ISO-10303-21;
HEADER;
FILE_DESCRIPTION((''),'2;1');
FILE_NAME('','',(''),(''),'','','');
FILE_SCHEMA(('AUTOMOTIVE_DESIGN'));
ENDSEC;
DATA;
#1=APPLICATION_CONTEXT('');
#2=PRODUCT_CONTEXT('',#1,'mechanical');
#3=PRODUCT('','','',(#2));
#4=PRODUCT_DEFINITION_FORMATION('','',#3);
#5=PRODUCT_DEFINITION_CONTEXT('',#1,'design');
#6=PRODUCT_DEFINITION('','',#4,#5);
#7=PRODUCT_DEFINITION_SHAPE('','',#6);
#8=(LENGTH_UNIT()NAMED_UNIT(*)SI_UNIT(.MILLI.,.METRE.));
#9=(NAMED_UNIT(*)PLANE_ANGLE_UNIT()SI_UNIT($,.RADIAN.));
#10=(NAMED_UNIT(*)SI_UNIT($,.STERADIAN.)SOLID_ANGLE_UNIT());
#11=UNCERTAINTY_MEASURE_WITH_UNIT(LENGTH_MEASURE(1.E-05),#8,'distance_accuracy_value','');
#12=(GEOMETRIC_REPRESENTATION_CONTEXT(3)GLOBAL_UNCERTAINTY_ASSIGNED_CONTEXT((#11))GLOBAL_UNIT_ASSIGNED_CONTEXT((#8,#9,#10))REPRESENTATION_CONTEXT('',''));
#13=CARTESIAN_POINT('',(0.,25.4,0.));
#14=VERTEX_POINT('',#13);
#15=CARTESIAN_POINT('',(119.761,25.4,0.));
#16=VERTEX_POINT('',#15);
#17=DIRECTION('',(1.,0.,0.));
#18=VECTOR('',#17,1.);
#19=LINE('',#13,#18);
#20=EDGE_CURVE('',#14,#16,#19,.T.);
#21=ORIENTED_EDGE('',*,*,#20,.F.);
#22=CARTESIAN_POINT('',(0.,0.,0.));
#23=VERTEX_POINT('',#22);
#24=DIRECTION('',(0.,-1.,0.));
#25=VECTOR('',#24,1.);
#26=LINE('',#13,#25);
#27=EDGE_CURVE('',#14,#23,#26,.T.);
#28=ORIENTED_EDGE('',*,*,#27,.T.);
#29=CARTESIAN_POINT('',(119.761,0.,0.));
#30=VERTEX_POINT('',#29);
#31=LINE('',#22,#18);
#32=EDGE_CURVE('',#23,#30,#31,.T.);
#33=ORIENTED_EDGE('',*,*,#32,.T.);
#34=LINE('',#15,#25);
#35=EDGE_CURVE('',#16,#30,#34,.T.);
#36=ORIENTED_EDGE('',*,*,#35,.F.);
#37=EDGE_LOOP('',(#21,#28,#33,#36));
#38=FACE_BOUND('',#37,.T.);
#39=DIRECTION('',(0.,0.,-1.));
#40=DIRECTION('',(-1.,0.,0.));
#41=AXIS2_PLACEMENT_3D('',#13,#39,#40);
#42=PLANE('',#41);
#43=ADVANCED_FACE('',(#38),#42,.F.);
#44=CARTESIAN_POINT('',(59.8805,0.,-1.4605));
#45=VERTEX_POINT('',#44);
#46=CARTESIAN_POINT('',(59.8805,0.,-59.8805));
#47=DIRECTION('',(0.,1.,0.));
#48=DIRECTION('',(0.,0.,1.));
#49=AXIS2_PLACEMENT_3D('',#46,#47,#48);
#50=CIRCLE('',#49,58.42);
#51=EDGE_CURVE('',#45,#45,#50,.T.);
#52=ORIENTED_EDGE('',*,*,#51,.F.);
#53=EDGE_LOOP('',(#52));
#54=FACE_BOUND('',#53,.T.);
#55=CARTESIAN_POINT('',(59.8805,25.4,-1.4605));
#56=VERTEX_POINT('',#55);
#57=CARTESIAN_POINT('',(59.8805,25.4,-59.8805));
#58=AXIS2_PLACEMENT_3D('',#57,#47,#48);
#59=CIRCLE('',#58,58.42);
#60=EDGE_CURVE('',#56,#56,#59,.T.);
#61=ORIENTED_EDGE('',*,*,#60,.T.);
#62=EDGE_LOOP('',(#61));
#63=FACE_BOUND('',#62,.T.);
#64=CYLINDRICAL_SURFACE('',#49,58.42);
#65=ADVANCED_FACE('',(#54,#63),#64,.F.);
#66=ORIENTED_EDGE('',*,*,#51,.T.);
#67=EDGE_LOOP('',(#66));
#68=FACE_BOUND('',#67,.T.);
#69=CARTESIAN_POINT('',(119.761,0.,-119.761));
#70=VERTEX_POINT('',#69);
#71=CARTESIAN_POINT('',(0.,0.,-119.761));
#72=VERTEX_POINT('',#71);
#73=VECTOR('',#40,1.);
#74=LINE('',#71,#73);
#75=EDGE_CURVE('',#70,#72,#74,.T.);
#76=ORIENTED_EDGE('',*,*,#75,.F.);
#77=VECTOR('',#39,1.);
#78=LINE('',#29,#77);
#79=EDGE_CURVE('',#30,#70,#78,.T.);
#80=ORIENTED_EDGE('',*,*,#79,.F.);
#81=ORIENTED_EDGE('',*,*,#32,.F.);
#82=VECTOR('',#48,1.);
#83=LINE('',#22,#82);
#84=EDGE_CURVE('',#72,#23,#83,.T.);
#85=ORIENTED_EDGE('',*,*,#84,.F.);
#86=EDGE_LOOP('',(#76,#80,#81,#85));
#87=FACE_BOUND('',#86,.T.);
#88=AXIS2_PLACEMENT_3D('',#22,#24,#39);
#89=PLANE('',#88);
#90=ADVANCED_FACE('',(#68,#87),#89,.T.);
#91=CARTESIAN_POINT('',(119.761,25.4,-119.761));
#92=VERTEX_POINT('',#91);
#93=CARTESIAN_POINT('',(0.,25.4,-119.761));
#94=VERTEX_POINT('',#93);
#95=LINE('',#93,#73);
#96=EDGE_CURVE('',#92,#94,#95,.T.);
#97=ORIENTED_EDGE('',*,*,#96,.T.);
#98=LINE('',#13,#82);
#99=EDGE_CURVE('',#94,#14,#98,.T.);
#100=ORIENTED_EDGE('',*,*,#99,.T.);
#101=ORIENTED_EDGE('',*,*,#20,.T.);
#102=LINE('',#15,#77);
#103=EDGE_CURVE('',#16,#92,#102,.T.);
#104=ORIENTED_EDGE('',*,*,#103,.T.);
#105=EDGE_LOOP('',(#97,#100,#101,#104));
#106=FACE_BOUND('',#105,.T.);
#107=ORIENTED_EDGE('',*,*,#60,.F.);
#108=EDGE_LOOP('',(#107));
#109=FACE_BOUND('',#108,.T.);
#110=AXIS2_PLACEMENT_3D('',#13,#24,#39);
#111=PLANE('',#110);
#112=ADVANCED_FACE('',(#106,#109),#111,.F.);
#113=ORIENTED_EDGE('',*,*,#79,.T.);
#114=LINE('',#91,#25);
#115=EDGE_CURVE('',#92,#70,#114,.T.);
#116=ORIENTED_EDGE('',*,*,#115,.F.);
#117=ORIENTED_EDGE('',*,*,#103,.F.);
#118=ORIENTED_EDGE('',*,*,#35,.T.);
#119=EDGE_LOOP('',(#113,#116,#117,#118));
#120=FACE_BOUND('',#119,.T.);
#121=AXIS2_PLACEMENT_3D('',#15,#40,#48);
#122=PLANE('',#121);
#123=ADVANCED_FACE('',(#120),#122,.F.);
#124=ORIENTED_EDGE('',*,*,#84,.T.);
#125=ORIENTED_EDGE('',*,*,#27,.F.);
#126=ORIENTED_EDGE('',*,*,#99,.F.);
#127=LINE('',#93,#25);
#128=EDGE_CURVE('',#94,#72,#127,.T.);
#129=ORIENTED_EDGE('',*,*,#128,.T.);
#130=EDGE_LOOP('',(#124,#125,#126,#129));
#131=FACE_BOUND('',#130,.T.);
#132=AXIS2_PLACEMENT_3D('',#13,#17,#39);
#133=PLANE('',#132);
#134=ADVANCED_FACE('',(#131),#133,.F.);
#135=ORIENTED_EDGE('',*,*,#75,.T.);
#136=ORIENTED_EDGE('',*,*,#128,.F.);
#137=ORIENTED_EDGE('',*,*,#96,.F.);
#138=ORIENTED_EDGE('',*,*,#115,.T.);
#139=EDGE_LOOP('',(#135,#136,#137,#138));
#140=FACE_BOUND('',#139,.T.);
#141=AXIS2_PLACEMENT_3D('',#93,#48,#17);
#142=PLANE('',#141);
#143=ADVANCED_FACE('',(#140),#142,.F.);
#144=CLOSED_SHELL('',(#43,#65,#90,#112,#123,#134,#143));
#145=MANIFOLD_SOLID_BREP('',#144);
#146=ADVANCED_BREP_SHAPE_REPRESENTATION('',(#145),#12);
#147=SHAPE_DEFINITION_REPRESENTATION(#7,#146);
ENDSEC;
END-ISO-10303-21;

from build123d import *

# Parameters (mm, degrees)
SKETCH1_W           = 119.761
SKETCH1_H           = 119.761
BOSS_EXTRUDE1_DEPTH = 25.4
SKETCH2_R           = 58.42
CUT_EXTRUDE1_DEPTH  = 25.4


with BuildPart() as part:
    # Sketch1 → Boss-Extrude1 (new body)
    with BuildSketch(Plane(origin=(0, 0, 0), x_dir=(1, 0, 0), z_dir=(0, 1, 0))):
        with Locations((59.8805, 59.8805)):
            Rectangle(SKETCH1_W, SKETCH1_H)
    extrude(amount=BOSS_EXTRUDE1_DEPTH)

    # Sketch2 → Cut-Extrude1 (cut)
    with BuildSketch(Plane(origin=(0, 25.4, 0), x_dir=(1, 0, 0), z_dir=(0, 1, 0))):
        with Locations((59.8805, 59.8805)):
            Circle(SKETCH2_R)
    extrude(amount=-CUT_EXTRUDE1_DEPTH, mode=Mode.SUBTRACT)


solid = part.part
